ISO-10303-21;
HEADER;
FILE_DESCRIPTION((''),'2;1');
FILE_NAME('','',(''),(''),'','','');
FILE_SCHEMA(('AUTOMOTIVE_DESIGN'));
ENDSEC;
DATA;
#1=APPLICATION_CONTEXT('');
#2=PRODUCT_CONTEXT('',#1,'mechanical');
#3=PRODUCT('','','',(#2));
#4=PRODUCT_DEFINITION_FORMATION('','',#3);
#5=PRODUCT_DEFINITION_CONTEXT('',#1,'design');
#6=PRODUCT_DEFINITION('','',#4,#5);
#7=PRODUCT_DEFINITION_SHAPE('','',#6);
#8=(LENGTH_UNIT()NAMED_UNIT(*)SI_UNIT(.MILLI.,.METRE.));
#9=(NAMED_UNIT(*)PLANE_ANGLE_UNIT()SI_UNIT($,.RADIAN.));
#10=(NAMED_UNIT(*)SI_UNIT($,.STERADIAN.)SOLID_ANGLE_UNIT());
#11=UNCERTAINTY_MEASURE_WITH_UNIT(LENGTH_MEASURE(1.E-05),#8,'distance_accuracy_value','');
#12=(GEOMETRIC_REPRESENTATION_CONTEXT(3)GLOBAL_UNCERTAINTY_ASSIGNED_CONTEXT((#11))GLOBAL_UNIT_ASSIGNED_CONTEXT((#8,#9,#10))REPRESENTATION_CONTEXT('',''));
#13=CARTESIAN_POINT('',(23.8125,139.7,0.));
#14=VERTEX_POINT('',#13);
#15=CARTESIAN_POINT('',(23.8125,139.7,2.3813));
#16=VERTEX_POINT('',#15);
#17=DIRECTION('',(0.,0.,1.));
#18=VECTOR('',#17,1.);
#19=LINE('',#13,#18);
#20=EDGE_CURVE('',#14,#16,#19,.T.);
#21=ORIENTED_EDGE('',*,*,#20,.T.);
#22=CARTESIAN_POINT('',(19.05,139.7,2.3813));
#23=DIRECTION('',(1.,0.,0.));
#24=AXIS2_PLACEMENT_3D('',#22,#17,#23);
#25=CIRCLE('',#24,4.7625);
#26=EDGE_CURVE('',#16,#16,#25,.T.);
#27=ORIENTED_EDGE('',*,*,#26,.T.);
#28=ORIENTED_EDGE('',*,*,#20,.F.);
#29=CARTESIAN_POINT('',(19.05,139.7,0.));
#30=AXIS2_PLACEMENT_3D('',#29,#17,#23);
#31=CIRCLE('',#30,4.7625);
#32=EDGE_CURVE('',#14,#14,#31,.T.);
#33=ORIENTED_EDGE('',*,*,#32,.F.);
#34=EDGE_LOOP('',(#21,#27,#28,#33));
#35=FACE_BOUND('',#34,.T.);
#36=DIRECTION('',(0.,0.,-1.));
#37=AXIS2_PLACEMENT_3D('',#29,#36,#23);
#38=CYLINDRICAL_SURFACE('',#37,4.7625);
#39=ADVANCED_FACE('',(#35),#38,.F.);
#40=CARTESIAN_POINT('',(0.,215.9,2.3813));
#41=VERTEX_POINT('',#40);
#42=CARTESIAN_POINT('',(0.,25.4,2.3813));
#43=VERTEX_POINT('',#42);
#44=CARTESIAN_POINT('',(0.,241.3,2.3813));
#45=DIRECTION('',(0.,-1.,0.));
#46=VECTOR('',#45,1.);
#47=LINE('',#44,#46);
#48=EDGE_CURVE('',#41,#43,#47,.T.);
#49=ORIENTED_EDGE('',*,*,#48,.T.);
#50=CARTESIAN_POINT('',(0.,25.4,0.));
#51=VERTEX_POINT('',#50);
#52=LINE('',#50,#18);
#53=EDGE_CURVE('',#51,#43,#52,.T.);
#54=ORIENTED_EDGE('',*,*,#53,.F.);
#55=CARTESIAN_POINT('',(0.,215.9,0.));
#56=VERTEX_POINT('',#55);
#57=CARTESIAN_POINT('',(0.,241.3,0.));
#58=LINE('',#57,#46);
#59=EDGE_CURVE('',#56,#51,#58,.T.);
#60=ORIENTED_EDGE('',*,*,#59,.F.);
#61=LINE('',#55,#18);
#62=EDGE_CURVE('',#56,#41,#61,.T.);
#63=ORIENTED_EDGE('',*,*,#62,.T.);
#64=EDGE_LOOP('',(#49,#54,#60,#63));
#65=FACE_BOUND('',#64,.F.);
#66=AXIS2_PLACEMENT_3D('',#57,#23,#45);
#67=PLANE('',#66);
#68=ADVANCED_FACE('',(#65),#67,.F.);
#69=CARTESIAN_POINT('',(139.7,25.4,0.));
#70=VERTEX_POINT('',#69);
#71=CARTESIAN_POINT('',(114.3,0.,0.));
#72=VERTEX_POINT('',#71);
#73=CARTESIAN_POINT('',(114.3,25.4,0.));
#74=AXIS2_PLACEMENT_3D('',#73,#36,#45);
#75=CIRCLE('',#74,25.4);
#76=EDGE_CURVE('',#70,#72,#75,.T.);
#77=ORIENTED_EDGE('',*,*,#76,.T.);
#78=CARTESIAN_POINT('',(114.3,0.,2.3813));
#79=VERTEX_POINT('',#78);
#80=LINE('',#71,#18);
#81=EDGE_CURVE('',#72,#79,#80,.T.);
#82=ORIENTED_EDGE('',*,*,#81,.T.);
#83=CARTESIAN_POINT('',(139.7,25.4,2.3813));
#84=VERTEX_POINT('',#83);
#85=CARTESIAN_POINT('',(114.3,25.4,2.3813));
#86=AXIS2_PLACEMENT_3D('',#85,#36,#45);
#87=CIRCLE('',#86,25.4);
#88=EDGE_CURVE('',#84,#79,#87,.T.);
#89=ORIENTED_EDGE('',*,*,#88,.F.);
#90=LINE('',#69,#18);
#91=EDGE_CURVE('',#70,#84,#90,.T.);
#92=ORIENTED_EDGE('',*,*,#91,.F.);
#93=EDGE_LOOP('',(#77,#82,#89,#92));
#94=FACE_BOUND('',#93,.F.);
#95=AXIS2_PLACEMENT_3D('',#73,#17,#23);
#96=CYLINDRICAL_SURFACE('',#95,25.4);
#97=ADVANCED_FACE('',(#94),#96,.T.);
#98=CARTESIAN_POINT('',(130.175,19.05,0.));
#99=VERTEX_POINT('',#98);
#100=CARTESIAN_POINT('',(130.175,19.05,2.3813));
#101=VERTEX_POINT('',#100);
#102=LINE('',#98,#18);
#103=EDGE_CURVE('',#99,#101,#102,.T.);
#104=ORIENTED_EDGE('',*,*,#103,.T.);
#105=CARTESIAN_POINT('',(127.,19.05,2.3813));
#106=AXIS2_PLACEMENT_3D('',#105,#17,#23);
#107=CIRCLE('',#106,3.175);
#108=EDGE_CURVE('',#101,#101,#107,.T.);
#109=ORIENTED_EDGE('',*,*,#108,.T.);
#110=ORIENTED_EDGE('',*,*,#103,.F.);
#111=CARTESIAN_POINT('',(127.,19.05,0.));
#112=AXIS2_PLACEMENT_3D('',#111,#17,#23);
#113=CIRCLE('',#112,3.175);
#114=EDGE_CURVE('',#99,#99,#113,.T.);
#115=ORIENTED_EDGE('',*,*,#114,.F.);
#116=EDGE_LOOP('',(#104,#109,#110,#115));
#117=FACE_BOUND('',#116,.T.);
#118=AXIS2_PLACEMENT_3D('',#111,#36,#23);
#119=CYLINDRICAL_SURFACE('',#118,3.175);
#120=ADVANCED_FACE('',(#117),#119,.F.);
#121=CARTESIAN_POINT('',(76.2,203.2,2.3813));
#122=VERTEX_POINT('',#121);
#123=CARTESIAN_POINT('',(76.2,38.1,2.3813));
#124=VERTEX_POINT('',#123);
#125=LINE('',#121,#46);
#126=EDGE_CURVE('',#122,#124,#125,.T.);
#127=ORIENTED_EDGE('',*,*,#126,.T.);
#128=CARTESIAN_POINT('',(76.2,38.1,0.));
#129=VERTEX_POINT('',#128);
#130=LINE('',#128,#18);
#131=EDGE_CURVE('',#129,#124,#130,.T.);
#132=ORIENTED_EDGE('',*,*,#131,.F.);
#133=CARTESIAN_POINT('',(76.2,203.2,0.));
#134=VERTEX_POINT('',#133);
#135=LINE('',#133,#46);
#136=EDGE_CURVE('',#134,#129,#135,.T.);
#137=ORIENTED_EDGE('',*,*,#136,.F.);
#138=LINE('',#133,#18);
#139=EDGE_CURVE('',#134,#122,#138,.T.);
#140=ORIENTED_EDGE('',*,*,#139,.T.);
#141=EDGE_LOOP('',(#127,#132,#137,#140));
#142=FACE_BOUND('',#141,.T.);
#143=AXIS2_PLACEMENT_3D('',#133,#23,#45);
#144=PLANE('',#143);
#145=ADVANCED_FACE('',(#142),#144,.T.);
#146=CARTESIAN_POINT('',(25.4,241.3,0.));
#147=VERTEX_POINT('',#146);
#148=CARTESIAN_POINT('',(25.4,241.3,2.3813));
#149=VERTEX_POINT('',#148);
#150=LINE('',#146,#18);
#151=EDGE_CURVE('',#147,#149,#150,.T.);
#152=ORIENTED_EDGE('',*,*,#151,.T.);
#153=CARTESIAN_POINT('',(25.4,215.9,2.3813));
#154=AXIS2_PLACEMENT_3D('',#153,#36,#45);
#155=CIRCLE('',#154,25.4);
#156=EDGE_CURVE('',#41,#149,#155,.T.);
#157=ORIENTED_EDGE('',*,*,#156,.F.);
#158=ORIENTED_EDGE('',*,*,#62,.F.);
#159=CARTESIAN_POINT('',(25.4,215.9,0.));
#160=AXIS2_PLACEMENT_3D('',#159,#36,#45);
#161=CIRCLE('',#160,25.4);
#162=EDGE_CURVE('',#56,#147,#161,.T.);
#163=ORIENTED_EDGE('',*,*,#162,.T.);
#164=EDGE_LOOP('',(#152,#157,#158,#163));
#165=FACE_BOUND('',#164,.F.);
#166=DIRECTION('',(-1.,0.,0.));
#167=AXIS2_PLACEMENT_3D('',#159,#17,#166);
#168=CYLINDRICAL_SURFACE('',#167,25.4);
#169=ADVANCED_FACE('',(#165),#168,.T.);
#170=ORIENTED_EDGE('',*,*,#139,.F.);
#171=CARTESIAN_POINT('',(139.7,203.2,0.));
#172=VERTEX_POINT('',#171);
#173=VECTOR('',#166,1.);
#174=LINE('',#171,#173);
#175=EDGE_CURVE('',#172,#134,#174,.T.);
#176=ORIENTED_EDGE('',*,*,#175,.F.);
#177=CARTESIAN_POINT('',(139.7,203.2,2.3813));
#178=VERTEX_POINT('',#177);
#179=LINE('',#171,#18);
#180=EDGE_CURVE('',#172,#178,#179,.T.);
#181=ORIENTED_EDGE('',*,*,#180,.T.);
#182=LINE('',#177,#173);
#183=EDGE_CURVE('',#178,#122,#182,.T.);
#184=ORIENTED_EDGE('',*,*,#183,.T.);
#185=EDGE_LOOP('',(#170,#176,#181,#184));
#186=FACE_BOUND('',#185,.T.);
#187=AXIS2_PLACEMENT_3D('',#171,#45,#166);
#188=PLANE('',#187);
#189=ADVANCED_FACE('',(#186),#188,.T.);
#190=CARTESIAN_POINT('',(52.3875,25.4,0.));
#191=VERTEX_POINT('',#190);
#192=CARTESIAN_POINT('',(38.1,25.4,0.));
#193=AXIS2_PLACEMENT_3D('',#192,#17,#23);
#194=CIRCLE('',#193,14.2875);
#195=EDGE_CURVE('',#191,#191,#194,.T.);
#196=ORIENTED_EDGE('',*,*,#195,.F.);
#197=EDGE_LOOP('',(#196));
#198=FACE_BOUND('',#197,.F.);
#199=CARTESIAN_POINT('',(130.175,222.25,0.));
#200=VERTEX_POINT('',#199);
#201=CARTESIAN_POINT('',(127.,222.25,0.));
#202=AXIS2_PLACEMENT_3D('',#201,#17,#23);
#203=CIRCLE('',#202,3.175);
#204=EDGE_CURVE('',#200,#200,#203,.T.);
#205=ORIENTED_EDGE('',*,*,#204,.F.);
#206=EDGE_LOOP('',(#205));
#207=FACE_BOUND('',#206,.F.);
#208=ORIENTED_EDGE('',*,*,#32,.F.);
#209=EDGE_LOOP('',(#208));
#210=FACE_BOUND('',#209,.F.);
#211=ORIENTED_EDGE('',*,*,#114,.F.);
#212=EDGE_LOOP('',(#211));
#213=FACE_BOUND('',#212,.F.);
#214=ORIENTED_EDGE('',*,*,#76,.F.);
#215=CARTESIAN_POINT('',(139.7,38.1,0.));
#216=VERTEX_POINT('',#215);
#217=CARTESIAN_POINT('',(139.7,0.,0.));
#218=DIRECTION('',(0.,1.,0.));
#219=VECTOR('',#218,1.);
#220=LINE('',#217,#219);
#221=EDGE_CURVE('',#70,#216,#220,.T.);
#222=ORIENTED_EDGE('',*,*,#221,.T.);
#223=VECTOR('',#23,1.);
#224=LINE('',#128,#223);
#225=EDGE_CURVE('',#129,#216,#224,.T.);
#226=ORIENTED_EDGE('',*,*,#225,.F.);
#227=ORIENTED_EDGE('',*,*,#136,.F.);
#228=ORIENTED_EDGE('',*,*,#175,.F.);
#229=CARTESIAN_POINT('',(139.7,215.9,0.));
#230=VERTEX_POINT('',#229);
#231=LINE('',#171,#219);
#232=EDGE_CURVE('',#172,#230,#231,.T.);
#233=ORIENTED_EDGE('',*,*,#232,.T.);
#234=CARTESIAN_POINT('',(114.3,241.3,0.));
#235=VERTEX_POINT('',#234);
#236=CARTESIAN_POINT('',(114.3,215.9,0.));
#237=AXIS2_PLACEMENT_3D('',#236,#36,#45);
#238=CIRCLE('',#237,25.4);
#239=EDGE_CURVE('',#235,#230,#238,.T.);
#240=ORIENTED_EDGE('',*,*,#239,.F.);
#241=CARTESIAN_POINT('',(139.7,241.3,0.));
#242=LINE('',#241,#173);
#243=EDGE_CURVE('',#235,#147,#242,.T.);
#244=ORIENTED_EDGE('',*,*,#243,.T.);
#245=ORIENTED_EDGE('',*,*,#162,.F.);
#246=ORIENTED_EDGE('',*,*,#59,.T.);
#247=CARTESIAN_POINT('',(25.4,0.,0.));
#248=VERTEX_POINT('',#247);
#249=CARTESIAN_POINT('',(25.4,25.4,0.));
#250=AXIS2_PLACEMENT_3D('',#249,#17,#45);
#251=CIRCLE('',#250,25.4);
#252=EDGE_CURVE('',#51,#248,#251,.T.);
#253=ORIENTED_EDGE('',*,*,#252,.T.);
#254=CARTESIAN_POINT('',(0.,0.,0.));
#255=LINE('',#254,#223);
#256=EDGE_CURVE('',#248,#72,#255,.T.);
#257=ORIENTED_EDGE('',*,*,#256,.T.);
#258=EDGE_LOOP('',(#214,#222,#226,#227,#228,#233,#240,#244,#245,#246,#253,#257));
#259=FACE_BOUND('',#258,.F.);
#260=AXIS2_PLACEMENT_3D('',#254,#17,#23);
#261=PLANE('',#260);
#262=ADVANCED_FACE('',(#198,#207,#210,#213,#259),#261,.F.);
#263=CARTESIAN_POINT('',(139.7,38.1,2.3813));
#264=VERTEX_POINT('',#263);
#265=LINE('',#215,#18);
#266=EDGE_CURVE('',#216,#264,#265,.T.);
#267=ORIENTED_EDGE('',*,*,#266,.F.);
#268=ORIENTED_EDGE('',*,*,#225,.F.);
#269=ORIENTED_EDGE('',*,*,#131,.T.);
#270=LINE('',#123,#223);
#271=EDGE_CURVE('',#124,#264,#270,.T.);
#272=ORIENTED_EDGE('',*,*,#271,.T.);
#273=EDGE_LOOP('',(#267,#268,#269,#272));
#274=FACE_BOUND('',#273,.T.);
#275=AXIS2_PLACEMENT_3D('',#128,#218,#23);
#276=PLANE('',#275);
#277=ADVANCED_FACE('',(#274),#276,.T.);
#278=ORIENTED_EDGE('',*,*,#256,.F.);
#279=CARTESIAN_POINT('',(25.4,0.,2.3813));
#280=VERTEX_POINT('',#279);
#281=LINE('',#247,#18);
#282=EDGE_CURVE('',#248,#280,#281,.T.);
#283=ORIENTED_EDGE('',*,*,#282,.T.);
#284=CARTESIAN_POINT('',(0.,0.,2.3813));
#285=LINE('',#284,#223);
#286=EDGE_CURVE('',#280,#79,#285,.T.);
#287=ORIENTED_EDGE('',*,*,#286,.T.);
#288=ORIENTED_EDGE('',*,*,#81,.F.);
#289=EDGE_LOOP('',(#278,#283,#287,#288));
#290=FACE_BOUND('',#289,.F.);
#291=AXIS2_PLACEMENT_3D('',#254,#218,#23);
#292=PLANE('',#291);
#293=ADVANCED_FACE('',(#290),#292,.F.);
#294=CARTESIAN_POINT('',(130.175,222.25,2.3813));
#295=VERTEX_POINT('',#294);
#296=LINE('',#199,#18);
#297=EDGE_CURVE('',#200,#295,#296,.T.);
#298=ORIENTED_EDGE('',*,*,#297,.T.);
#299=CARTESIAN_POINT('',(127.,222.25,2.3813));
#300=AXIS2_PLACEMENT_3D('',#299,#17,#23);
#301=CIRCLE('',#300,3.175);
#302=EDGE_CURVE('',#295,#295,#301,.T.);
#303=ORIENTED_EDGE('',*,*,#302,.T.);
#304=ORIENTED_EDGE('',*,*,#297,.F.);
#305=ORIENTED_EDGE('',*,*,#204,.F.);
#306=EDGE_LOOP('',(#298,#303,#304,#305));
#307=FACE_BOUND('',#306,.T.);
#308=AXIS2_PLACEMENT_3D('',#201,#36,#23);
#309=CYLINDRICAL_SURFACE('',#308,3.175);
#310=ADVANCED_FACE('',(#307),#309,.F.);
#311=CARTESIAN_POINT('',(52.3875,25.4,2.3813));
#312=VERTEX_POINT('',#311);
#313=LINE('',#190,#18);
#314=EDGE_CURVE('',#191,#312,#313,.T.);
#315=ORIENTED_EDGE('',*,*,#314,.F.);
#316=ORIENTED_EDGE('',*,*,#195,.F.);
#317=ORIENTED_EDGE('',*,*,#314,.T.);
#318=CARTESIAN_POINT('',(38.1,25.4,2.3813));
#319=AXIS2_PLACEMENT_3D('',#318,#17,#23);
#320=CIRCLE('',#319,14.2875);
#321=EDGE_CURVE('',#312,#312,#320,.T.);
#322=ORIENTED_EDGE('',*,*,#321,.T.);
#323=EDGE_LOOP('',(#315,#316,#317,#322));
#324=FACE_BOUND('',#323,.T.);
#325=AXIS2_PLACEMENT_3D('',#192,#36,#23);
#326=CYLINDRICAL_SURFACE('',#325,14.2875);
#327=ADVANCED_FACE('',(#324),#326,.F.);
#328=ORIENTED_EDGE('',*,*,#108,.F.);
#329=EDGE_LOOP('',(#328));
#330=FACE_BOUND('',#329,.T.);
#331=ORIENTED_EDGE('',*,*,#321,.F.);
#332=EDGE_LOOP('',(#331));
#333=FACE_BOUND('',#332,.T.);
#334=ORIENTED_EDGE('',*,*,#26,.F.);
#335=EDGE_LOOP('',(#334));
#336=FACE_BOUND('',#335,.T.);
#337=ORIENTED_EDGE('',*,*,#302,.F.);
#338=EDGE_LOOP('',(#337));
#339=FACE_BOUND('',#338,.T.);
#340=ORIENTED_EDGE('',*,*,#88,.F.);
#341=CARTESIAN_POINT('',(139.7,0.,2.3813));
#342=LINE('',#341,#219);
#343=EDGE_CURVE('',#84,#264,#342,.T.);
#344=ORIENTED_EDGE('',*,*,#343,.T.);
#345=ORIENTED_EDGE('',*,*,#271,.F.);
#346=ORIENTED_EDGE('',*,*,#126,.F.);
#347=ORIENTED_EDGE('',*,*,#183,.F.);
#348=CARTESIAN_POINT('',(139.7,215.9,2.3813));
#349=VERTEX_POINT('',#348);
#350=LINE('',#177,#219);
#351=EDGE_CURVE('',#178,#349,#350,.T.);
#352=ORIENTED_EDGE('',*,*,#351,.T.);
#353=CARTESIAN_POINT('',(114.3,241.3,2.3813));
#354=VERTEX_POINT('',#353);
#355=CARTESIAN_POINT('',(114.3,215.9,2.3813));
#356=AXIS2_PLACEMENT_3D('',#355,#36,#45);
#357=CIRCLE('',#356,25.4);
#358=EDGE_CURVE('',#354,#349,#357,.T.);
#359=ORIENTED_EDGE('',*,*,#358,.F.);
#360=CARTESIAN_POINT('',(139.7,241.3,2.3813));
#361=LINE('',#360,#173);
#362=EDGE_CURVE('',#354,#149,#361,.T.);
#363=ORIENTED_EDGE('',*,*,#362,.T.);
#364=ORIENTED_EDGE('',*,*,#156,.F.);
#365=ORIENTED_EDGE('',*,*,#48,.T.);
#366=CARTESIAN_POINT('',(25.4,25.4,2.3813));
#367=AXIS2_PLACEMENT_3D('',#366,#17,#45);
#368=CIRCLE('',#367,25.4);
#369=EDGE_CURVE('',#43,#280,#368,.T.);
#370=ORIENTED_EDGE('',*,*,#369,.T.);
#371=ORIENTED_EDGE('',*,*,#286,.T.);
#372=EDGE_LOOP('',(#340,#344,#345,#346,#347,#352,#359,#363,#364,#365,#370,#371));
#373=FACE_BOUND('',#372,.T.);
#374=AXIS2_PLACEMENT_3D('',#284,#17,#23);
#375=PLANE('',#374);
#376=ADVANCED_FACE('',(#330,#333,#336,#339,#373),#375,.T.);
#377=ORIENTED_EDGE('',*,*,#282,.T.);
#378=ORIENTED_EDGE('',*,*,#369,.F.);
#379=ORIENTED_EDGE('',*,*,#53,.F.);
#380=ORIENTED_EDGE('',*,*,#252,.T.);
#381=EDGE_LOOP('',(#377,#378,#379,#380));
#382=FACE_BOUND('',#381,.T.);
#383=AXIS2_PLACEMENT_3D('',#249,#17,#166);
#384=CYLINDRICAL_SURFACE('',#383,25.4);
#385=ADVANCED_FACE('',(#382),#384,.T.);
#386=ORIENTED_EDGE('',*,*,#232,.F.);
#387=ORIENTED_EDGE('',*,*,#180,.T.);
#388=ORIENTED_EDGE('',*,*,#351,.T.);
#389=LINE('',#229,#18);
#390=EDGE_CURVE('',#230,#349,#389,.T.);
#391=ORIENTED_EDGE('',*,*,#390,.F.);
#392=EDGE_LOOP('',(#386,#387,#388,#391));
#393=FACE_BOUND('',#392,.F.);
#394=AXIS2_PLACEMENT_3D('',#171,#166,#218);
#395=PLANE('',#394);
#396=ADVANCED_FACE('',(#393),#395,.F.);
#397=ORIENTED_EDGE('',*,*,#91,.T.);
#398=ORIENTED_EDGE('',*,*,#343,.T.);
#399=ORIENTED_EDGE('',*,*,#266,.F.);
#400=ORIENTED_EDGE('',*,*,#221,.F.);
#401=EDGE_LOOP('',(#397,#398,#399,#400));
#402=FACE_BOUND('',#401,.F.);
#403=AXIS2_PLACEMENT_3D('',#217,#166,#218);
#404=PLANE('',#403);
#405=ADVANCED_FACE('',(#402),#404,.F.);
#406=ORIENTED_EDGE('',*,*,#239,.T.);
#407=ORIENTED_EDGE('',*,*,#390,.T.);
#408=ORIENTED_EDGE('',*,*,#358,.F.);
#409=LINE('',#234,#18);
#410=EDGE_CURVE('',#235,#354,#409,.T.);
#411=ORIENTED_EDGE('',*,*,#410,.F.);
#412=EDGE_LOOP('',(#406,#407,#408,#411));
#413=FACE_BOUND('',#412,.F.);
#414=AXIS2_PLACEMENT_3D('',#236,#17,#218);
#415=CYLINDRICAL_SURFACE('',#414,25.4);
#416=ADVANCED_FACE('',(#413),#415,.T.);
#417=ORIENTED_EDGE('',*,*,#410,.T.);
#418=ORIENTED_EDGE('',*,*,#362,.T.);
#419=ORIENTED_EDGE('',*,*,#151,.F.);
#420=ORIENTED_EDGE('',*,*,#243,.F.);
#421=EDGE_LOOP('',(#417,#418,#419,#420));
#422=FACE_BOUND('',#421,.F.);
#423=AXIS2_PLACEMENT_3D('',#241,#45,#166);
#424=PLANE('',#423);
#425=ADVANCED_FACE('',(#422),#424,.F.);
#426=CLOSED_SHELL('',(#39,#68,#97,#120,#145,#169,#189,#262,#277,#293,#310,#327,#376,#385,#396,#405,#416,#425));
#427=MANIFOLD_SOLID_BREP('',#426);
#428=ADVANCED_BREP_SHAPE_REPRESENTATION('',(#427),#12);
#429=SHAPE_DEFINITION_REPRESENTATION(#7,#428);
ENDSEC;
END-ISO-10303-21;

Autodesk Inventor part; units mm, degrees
ref_plane "YZ Plane" through (0, 0, 0) normal (1, 0, 0) x (0, 1, 0)
ref_plane "XZ Plane" through (0, 0, 0) normal (0, 1, 0) x (-1, 0, 0)
ref_plane "XY Plane" through (0, 0, 0) normal (0, 0, 1) x (1, 0, 0)
sketch "Sketch1" plane through (0, 0, 0) normal (0, 0, 1) x (1, 0, 0)
  line L0 (0, 0) -> (139.7, 0)
  line L1 (139.7, 241.3) -> (0, 241.3)
  line L2 (0, 241.3) -> (0, 0)
  line L3 (139.7, 203.2) -> (76.2, 203.2)
  line L4 (76.2, 203.2) -> (76.2, 38.1)
  line L5 (76.2, 38.1) -> (139.7, 38.1)
  line L6 (139.7, 0) -> (139.7, 38.1)
  line L7 (139.7, 203.2) -> (139.7, 241.3)
  circle A0 centre (127, 222.25) radius 3.175
  circle A1 centre (127, 19.05) radius 3.175
  circle A2 centre (19.05, 139.7) radius 4.7625
  circle A3 centre (38.1, 25.4) radius 14.2875
  dimension "d0" = 38.1
  dimension "d1" = 38.1
  dimension "d2" = 241.3
  dimension "d3" = 139.7
  dimension "d4" = 12.7
  dimension "d5" = 12.7
  dimension "d6" = 6.35
  dimension "d7" = 6.35
  dimension "d8" = 19.05
  dimension "d9" = 19.05
  dimension "d10" = 63.5
  dimension "d11" = 9.525
  dimension "d12" = 19.05
  dimension "d13" = 101.6
  dimension "d14" = 28.575
  dimension "d15" = 38.1
  dimension "d16" = 25.4
extrude "Extrusion1" add sketch "Sketch1" along normal blind 2.3813
fillet "Fillet1" radius 25.4 4 edges at (0, 241.3, 1.1906) (139.7, 241.3, 1.1906) (0, 0, 1.1906) (139.7, 0, 1.1906)
properties part number "Plate_VerticalConveyorMotorMount" material "Aluminum-6061"
